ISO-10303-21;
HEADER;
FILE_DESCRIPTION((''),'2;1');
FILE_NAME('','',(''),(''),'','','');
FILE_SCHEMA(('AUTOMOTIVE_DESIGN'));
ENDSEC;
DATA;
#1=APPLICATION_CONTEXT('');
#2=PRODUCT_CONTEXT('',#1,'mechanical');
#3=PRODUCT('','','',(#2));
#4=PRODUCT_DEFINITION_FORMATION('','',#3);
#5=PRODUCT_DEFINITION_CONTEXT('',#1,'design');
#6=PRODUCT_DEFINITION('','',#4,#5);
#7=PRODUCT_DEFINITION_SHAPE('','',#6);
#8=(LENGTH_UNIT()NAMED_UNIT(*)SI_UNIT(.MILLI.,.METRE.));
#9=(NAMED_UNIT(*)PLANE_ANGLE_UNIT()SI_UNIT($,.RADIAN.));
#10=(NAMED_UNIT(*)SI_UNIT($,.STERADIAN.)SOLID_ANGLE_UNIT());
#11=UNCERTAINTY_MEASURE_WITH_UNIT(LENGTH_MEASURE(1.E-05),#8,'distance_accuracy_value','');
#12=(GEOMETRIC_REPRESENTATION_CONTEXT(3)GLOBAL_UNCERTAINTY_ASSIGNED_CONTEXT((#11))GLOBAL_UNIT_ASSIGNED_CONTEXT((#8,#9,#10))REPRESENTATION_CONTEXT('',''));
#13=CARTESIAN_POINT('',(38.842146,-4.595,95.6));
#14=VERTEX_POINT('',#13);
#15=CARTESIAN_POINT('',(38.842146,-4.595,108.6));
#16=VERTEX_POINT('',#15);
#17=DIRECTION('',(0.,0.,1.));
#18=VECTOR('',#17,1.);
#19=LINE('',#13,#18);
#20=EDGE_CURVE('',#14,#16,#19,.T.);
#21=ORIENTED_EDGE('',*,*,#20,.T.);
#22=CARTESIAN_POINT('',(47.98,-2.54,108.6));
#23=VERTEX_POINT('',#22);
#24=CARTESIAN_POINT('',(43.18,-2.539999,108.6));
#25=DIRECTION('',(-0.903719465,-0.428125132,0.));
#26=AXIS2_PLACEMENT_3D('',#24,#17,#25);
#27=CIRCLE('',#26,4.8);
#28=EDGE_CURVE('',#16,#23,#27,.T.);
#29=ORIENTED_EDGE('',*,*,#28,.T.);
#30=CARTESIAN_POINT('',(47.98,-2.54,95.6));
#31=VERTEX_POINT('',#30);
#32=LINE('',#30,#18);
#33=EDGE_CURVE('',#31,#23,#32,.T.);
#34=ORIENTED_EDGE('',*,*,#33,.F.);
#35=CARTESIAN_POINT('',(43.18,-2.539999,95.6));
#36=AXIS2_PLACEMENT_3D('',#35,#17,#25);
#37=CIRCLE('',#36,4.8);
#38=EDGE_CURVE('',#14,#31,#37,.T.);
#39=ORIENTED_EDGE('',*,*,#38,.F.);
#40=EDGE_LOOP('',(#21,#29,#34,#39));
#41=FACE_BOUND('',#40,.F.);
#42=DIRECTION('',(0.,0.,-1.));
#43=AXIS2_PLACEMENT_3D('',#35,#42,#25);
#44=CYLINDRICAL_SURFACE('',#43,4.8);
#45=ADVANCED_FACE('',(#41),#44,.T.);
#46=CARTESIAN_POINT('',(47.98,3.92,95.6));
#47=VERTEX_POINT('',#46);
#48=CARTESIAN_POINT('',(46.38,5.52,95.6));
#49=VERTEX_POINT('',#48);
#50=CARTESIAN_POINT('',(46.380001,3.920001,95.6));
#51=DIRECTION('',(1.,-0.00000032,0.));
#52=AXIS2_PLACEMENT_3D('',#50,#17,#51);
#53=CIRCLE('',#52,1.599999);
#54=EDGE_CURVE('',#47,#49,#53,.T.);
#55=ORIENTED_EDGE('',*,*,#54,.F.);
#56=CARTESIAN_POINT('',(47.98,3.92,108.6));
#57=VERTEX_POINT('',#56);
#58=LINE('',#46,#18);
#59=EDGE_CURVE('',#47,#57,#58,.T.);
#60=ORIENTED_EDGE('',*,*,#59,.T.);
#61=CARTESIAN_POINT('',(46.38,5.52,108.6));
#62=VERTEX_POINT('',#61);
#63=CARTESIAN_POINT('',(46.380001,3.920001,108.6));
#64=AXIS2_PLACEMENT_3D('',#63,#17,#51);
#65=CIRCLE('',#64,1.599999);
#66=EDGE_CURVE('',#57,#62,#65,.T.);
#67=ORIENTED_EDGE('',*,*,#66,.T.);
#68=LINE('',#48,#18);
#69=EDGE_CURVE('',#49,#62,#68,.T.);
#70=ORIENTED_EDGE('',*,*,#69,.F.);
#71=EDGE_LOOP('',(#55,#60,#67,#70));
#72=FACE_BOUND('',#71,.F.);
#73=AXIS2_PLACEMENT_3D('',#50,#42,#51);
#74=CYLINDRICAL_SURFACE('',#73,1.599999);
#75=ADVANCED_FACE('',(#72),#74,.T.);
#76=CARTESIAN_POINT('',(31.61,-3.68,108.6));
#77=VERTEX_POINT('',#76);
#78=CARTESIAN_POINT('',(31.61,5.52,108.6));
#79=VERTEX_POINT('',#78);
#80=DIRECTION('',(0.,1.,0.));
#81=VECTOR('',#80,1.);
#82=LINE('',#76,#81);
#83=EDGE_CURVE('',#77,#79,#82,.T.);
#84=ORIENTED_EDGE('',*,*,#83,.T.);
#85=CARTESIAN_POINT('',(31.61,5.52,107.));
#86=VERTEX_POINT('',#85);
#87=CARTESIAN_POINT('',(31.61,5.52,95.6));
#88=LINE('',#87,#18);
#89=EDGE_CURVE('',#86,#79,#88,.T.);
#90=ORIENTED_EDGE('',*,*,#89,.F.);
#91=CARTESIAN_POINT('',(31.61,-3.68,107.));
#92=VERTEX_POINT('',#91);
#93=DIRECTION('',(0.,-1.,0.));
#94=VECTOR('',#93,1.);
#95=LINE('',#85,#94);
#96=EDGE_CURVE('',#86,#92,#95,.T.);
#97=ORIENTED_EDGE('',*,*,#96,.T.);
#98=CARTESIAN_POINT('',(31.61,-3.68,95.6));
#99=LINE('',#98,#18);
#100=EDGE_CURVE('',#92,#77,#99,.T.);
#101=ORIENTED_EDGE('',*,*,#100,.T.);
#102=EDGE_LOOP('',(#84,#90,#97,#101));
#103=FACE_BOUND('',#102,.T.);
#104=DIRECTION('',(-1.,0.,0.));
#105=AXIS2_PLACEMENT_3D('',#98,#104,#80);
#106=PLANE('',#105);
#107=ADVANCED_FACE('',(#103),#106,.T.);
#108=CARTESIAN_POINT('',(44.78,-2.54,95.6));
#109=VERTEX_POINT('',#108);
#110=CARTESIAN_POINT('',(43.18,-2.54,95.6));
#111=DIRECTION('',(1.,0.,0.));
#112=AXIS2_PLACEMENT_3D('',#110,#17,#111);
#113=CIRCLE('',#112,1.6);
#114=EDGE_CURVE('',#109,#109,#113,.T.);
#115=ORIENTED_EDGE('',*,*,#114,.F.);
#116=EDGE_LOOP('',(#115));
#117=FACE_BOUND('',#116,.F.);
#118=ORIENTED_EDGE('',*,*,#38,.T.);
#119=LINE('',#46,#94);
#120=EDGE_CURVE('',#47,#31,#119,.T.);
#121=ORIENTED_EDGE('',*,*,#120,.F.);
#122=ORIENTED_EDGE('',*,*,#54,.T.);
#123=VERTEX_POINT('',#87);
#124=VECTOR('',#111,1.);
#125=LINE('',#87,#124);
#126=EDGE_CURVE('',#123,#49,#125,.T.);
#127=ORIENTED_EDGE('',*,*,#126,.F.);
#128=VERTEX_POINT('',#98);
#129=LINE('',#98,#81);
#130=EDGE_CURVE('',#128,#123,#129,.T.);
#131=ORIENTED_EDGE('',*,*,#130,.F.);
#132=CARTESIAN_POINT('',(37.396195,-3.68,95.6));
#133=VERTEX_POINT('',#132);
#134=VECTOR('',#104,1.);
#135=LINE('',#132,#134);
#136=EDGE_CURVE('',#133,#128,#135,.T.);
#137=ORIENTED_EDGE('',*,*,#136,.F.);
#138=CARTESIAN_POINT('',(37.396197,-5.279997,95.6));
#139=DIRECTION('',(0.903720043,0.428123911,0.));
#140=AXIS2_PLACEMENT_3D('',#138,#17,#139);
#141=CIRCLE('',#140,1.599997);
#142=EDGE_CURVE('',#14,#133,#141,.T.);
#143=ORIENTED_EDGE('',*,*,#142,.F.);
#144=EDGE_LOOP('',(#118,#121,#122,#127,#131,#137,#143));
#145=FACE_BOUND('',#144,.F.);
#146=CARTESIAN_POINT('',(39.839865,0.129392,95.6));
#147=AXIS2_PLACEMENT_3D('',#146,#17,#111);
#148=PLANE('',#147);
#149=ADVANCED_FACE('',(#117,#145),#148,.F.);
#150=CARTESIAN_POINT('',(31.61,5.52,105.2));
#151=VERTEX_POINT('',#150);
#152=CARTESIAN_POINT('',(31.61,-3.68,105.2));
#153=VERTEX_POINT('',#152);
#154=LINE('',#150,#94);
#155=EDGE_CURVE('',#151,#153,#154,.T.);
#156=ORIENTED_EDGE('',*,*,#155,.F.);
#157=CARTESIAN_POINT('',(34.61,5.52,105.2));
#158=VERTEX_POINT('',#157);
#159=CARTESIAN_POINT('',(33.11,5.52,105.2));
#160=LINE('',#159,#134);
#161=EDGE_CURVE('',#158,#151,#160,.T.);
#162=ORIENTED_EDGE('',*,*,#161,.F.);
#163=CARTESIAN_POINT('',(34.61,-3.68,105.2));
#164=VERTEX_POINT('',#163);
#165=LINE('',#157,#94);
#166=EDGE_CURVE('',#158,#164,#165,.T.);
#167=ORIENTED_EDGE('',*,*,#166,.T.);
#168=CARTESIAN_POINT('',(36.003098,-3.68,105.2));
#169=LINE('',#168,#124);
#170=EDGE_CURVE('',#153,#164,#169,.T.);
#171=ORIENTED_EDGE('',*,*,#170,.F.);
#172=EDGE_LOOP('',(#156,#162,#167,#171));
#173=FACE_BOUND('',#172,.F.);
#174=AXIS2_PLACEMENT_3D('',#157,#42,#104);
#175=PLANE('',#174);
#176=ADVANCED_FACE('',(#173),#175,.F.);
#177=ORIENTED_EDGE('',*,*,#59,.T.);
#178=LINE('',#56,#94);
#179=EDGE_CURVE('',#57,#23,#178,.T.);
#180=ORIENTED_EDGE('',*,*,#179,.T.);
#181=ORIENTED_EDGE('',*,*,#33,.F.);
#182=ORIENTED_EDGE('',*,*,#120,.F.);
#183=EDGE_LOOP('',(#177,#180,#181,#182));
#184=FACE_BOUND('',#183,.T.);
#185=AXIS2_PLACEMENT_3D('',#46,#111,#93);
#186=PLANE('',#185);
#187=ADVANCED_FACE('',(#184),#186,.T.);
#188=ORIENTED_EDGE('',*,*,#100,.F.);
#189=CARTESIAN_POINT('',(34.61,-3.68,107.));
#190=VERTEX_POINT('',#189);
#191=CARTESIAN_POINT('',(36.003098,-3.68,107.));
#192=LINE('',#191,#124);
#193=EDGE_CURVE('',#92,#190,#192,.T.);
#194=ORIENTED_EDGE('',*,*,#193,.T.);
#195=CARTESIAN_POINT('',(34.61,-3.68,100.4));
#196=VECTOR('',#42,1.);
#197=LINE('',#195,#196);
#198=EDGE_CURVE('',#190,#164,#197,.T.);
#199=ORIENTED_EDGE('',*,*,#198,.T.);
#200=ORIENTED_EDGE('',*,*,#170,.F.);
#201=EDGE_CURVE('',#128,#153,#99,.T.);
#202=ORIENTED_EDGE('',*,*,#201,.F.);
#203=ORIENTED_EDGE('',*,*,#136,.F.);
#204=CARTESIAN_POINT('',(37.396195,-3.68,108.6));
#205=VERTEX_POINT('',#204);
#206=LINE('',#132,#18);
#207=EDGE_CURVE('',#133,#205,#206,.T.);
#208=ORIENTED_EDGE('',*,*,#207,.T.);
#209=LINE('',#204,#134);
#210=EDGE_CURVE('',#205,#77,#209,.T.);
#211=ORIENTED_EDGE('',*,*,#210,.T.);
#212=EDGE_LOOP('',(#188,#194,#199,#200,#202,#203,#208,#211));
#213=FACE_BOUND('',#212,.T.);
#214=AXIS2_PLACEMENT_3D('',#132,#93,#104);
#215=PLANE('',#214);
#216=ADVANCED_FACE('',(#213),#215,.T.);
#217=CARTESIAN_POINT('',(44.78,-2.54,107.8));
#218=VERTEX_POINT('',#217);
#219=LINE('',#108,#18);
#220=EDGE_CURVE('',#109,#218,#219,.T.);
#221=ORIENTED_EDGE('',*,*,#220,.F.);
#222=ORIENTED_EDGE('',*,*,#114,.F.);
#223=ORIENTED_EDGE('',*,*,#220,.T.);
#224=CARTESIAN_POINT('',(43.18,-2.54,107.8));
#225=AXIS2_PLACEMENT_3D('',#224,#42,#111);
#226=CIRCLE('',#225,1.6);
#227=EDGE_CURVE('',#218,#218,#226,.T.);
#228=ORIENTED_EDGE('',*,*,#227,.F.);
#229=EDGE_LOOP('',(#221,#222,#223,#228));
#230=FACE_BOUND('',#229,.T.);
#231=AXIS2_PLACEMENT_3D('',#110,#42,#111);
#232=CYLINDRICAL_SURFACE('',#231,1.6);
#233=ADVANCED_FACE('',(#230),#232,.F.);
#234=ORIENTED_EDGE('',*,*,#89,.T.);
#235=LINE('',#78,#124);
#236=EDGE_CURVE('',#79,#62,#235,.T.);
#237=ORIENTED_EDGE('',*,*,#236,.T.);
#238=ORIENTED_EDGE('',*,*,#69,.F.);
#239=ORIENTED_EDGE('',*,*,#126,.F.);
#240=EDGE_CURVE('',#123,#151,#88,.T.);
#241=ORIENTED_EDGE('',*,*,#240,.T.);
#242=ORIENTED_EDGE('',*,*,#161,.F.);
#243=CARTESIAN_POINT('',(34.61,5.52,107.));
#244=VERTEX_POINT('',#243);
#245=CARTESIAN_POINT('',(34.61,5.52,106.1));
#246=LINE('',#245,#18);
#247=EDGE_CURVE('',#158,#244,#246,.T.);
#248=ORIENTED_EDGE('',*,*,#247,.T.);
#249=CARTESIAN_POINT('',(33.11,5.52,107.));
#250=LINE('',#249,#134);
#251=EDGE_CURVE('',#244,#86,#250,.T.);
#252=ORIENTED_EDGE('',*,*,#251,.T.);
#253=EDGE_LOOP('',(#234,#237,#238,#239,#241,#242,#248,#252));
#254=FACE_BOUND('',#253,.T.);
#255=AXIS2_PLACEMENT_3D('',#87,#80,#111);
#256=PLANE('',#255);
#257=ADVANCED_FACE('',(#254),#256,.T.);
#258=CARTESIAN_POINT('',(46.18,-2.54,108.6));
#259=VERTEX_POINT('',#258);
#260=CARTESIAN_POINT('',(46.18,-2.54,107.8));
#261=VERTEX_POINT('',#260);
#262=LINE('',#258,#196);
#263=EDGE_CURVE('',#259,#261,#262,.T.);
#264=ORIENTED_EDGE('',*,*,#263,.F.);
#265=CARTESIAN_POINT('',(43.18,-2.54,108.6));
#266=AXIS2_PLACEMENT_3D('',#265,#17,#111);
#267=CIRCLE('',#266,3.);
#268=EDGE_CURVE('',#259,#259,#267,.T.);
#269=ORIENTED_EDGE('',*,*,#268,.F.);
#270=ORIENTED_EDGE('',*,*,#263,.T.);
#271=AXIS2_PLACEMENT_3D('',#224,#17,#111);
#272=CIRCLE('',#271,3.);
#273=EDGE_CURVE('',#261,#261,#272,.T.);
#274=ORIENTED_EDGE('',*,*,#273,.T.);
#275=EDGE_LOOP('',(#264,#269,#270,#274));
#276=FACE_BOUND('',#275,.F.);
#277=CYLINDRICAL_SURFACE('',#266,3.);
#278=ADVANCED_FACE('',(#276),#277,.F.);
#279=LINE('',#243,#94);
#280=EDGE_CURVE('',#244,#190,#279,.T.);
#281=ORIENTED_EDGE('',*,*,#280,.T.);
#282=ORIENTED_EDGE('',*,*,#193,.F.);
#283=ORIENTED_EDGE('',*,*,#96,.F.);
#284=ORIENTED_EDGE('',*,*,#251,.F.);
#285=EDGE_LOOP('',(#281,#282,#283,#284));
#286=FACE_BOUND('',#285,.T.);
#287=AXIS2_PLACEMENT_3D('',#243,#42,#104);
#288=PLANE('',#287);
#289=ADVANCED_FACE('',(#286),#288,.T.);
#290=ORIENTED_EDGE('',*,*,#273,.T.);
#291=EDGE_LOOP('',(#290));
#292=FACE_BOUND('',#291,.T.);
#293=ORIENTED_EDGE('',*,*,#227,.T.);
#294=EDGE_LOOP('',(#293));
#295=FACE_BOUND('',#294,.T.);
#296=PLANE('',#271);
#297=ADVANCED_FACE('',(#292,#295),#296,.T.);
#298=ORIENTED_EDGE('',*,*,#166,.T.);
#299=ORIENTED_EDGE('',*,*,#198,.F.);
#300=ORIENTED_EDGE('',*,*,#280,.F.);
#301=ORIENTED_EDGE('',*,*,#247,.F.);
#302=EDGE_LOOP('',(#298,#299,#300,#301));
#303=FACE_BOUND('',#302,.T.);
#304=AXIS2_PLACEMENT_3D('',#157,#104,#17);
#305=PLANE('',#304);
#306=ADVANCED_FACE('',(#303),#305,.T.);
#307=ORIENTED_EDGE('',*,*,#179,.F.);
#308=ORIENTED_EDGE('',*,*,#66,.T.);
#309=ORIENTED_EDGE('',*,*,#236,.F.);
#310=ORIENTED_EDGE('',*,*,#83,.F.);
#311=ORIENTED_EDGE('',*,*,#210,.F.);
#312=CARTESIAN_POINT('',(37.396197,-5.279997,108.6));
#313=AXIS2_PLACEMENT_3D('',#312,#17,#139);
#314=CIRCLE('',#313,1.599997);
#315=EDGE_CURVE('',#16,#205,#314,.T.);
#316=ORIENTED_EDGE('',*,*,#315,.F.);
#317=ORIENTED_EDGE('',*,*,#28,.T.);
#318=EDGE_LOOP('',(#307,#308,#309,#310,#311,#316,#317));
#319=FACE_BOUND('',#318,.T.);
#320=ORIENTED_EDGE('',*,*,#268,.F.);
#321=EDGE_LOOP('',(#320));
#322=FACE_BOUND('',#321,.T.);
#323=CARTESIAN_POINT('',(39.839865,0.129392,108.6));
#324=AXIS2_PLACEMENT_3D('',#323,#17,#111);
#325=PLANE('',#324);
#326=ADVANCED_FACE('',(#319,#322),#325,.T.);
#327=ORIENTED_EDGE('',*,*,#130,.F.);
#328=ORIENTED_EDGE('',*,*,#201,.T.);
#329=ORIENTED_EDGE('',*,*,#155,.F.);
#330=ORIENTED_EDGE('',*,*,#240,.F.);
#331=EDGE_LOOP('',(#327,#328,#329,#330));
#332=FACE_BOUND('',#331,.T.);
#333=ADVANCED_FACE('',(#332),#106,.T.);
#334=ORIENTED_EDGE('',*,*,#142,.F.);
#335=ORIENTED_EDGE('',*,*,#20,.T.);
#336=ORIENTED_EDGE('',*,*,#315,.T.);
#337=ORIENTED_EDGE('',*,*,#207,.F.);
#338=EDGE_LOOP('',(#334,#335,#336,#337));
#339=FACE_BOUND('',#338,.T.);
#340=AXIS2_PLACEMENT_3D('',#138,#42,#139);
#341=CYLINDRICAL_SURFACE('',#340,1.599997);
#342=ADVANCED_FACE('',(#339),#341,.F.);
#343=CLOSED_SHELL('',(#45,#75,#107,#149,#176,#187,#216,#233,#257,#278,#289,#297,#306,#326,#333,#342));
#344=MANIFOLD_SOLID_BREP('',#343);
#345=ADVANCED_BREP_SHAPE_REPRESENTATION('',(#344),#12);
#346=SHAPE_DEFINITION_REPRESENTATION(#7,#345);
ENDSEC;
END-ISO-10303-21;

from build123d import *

# Parameters (mm, degrees)
SKETCH028_R     = 1.6
PAD016_DEPTH    = 13
SKETCH029_W     = 3
SKETCH029_H     = 1.8
POCKET010_DEPTH = 12.861
SKETCH030_R     = 3
POCKET011_DEPTH = 0.8


with BuildPart() as part:
    # Sketch028 (on Face1 of Binder006) → Pad016 (new body)
    with BuildSketch(Plane.XY.offset(95.6)):
        with BuildLine():
            ThreePointArc((38.842146, -4.595), (44.233162, -7.223038), (47.98, -2.54))
            Line((47.98, 3.92), (47.98, -2.54))
            ThreePointArc((47.98, 3.92), (47.511371, 5.051371), (46.38, 5.52))
            Line((31.61, 5.52), (46.38, 5.52))
            Line((31.61, -3.68), (31.61, 5.52))
            Line((37.396195, -3.68), (31.61, -3.68))
            ThreePointArc((38.842146, -4.595), (38.251765, -3.927964), (37.396195, -3.68))
        make_face()
        with Locations((43.18, -2.54)):
            Circle(SKETCH028_R, mode=Mode.SUBTRACT)
    extrude(amount=PAD016_DEPTH)

    # Sketch029 (on Face4 of Pad016) → Pocket010 (cut, through all)
    with BuildSketch(Plane(origin=(0, 5.52, 0), x_dir=(-1, 0, 0), z_dir=(0, 1, 0))):
        with Locations((-33.11, 106.1)):
            Rectangle(SKETCH029_W, SKETCH029_H)
    extrude(amount=-POCKET010_DEPTH, mode=Mode.SUBTRACT)

    # Sketch030 (on Face5 of Pocket010) → Pocket011 (cut)
    with BuildSketch(Plane.XY.offset(108.6)):
        with Locations((43.18, -2.54)):
            Circle(SKETCH030_R)
    extrude(amount=-POCKET011_DEPTH, mode=Mode.SUBTRACT)


solid = part.part
